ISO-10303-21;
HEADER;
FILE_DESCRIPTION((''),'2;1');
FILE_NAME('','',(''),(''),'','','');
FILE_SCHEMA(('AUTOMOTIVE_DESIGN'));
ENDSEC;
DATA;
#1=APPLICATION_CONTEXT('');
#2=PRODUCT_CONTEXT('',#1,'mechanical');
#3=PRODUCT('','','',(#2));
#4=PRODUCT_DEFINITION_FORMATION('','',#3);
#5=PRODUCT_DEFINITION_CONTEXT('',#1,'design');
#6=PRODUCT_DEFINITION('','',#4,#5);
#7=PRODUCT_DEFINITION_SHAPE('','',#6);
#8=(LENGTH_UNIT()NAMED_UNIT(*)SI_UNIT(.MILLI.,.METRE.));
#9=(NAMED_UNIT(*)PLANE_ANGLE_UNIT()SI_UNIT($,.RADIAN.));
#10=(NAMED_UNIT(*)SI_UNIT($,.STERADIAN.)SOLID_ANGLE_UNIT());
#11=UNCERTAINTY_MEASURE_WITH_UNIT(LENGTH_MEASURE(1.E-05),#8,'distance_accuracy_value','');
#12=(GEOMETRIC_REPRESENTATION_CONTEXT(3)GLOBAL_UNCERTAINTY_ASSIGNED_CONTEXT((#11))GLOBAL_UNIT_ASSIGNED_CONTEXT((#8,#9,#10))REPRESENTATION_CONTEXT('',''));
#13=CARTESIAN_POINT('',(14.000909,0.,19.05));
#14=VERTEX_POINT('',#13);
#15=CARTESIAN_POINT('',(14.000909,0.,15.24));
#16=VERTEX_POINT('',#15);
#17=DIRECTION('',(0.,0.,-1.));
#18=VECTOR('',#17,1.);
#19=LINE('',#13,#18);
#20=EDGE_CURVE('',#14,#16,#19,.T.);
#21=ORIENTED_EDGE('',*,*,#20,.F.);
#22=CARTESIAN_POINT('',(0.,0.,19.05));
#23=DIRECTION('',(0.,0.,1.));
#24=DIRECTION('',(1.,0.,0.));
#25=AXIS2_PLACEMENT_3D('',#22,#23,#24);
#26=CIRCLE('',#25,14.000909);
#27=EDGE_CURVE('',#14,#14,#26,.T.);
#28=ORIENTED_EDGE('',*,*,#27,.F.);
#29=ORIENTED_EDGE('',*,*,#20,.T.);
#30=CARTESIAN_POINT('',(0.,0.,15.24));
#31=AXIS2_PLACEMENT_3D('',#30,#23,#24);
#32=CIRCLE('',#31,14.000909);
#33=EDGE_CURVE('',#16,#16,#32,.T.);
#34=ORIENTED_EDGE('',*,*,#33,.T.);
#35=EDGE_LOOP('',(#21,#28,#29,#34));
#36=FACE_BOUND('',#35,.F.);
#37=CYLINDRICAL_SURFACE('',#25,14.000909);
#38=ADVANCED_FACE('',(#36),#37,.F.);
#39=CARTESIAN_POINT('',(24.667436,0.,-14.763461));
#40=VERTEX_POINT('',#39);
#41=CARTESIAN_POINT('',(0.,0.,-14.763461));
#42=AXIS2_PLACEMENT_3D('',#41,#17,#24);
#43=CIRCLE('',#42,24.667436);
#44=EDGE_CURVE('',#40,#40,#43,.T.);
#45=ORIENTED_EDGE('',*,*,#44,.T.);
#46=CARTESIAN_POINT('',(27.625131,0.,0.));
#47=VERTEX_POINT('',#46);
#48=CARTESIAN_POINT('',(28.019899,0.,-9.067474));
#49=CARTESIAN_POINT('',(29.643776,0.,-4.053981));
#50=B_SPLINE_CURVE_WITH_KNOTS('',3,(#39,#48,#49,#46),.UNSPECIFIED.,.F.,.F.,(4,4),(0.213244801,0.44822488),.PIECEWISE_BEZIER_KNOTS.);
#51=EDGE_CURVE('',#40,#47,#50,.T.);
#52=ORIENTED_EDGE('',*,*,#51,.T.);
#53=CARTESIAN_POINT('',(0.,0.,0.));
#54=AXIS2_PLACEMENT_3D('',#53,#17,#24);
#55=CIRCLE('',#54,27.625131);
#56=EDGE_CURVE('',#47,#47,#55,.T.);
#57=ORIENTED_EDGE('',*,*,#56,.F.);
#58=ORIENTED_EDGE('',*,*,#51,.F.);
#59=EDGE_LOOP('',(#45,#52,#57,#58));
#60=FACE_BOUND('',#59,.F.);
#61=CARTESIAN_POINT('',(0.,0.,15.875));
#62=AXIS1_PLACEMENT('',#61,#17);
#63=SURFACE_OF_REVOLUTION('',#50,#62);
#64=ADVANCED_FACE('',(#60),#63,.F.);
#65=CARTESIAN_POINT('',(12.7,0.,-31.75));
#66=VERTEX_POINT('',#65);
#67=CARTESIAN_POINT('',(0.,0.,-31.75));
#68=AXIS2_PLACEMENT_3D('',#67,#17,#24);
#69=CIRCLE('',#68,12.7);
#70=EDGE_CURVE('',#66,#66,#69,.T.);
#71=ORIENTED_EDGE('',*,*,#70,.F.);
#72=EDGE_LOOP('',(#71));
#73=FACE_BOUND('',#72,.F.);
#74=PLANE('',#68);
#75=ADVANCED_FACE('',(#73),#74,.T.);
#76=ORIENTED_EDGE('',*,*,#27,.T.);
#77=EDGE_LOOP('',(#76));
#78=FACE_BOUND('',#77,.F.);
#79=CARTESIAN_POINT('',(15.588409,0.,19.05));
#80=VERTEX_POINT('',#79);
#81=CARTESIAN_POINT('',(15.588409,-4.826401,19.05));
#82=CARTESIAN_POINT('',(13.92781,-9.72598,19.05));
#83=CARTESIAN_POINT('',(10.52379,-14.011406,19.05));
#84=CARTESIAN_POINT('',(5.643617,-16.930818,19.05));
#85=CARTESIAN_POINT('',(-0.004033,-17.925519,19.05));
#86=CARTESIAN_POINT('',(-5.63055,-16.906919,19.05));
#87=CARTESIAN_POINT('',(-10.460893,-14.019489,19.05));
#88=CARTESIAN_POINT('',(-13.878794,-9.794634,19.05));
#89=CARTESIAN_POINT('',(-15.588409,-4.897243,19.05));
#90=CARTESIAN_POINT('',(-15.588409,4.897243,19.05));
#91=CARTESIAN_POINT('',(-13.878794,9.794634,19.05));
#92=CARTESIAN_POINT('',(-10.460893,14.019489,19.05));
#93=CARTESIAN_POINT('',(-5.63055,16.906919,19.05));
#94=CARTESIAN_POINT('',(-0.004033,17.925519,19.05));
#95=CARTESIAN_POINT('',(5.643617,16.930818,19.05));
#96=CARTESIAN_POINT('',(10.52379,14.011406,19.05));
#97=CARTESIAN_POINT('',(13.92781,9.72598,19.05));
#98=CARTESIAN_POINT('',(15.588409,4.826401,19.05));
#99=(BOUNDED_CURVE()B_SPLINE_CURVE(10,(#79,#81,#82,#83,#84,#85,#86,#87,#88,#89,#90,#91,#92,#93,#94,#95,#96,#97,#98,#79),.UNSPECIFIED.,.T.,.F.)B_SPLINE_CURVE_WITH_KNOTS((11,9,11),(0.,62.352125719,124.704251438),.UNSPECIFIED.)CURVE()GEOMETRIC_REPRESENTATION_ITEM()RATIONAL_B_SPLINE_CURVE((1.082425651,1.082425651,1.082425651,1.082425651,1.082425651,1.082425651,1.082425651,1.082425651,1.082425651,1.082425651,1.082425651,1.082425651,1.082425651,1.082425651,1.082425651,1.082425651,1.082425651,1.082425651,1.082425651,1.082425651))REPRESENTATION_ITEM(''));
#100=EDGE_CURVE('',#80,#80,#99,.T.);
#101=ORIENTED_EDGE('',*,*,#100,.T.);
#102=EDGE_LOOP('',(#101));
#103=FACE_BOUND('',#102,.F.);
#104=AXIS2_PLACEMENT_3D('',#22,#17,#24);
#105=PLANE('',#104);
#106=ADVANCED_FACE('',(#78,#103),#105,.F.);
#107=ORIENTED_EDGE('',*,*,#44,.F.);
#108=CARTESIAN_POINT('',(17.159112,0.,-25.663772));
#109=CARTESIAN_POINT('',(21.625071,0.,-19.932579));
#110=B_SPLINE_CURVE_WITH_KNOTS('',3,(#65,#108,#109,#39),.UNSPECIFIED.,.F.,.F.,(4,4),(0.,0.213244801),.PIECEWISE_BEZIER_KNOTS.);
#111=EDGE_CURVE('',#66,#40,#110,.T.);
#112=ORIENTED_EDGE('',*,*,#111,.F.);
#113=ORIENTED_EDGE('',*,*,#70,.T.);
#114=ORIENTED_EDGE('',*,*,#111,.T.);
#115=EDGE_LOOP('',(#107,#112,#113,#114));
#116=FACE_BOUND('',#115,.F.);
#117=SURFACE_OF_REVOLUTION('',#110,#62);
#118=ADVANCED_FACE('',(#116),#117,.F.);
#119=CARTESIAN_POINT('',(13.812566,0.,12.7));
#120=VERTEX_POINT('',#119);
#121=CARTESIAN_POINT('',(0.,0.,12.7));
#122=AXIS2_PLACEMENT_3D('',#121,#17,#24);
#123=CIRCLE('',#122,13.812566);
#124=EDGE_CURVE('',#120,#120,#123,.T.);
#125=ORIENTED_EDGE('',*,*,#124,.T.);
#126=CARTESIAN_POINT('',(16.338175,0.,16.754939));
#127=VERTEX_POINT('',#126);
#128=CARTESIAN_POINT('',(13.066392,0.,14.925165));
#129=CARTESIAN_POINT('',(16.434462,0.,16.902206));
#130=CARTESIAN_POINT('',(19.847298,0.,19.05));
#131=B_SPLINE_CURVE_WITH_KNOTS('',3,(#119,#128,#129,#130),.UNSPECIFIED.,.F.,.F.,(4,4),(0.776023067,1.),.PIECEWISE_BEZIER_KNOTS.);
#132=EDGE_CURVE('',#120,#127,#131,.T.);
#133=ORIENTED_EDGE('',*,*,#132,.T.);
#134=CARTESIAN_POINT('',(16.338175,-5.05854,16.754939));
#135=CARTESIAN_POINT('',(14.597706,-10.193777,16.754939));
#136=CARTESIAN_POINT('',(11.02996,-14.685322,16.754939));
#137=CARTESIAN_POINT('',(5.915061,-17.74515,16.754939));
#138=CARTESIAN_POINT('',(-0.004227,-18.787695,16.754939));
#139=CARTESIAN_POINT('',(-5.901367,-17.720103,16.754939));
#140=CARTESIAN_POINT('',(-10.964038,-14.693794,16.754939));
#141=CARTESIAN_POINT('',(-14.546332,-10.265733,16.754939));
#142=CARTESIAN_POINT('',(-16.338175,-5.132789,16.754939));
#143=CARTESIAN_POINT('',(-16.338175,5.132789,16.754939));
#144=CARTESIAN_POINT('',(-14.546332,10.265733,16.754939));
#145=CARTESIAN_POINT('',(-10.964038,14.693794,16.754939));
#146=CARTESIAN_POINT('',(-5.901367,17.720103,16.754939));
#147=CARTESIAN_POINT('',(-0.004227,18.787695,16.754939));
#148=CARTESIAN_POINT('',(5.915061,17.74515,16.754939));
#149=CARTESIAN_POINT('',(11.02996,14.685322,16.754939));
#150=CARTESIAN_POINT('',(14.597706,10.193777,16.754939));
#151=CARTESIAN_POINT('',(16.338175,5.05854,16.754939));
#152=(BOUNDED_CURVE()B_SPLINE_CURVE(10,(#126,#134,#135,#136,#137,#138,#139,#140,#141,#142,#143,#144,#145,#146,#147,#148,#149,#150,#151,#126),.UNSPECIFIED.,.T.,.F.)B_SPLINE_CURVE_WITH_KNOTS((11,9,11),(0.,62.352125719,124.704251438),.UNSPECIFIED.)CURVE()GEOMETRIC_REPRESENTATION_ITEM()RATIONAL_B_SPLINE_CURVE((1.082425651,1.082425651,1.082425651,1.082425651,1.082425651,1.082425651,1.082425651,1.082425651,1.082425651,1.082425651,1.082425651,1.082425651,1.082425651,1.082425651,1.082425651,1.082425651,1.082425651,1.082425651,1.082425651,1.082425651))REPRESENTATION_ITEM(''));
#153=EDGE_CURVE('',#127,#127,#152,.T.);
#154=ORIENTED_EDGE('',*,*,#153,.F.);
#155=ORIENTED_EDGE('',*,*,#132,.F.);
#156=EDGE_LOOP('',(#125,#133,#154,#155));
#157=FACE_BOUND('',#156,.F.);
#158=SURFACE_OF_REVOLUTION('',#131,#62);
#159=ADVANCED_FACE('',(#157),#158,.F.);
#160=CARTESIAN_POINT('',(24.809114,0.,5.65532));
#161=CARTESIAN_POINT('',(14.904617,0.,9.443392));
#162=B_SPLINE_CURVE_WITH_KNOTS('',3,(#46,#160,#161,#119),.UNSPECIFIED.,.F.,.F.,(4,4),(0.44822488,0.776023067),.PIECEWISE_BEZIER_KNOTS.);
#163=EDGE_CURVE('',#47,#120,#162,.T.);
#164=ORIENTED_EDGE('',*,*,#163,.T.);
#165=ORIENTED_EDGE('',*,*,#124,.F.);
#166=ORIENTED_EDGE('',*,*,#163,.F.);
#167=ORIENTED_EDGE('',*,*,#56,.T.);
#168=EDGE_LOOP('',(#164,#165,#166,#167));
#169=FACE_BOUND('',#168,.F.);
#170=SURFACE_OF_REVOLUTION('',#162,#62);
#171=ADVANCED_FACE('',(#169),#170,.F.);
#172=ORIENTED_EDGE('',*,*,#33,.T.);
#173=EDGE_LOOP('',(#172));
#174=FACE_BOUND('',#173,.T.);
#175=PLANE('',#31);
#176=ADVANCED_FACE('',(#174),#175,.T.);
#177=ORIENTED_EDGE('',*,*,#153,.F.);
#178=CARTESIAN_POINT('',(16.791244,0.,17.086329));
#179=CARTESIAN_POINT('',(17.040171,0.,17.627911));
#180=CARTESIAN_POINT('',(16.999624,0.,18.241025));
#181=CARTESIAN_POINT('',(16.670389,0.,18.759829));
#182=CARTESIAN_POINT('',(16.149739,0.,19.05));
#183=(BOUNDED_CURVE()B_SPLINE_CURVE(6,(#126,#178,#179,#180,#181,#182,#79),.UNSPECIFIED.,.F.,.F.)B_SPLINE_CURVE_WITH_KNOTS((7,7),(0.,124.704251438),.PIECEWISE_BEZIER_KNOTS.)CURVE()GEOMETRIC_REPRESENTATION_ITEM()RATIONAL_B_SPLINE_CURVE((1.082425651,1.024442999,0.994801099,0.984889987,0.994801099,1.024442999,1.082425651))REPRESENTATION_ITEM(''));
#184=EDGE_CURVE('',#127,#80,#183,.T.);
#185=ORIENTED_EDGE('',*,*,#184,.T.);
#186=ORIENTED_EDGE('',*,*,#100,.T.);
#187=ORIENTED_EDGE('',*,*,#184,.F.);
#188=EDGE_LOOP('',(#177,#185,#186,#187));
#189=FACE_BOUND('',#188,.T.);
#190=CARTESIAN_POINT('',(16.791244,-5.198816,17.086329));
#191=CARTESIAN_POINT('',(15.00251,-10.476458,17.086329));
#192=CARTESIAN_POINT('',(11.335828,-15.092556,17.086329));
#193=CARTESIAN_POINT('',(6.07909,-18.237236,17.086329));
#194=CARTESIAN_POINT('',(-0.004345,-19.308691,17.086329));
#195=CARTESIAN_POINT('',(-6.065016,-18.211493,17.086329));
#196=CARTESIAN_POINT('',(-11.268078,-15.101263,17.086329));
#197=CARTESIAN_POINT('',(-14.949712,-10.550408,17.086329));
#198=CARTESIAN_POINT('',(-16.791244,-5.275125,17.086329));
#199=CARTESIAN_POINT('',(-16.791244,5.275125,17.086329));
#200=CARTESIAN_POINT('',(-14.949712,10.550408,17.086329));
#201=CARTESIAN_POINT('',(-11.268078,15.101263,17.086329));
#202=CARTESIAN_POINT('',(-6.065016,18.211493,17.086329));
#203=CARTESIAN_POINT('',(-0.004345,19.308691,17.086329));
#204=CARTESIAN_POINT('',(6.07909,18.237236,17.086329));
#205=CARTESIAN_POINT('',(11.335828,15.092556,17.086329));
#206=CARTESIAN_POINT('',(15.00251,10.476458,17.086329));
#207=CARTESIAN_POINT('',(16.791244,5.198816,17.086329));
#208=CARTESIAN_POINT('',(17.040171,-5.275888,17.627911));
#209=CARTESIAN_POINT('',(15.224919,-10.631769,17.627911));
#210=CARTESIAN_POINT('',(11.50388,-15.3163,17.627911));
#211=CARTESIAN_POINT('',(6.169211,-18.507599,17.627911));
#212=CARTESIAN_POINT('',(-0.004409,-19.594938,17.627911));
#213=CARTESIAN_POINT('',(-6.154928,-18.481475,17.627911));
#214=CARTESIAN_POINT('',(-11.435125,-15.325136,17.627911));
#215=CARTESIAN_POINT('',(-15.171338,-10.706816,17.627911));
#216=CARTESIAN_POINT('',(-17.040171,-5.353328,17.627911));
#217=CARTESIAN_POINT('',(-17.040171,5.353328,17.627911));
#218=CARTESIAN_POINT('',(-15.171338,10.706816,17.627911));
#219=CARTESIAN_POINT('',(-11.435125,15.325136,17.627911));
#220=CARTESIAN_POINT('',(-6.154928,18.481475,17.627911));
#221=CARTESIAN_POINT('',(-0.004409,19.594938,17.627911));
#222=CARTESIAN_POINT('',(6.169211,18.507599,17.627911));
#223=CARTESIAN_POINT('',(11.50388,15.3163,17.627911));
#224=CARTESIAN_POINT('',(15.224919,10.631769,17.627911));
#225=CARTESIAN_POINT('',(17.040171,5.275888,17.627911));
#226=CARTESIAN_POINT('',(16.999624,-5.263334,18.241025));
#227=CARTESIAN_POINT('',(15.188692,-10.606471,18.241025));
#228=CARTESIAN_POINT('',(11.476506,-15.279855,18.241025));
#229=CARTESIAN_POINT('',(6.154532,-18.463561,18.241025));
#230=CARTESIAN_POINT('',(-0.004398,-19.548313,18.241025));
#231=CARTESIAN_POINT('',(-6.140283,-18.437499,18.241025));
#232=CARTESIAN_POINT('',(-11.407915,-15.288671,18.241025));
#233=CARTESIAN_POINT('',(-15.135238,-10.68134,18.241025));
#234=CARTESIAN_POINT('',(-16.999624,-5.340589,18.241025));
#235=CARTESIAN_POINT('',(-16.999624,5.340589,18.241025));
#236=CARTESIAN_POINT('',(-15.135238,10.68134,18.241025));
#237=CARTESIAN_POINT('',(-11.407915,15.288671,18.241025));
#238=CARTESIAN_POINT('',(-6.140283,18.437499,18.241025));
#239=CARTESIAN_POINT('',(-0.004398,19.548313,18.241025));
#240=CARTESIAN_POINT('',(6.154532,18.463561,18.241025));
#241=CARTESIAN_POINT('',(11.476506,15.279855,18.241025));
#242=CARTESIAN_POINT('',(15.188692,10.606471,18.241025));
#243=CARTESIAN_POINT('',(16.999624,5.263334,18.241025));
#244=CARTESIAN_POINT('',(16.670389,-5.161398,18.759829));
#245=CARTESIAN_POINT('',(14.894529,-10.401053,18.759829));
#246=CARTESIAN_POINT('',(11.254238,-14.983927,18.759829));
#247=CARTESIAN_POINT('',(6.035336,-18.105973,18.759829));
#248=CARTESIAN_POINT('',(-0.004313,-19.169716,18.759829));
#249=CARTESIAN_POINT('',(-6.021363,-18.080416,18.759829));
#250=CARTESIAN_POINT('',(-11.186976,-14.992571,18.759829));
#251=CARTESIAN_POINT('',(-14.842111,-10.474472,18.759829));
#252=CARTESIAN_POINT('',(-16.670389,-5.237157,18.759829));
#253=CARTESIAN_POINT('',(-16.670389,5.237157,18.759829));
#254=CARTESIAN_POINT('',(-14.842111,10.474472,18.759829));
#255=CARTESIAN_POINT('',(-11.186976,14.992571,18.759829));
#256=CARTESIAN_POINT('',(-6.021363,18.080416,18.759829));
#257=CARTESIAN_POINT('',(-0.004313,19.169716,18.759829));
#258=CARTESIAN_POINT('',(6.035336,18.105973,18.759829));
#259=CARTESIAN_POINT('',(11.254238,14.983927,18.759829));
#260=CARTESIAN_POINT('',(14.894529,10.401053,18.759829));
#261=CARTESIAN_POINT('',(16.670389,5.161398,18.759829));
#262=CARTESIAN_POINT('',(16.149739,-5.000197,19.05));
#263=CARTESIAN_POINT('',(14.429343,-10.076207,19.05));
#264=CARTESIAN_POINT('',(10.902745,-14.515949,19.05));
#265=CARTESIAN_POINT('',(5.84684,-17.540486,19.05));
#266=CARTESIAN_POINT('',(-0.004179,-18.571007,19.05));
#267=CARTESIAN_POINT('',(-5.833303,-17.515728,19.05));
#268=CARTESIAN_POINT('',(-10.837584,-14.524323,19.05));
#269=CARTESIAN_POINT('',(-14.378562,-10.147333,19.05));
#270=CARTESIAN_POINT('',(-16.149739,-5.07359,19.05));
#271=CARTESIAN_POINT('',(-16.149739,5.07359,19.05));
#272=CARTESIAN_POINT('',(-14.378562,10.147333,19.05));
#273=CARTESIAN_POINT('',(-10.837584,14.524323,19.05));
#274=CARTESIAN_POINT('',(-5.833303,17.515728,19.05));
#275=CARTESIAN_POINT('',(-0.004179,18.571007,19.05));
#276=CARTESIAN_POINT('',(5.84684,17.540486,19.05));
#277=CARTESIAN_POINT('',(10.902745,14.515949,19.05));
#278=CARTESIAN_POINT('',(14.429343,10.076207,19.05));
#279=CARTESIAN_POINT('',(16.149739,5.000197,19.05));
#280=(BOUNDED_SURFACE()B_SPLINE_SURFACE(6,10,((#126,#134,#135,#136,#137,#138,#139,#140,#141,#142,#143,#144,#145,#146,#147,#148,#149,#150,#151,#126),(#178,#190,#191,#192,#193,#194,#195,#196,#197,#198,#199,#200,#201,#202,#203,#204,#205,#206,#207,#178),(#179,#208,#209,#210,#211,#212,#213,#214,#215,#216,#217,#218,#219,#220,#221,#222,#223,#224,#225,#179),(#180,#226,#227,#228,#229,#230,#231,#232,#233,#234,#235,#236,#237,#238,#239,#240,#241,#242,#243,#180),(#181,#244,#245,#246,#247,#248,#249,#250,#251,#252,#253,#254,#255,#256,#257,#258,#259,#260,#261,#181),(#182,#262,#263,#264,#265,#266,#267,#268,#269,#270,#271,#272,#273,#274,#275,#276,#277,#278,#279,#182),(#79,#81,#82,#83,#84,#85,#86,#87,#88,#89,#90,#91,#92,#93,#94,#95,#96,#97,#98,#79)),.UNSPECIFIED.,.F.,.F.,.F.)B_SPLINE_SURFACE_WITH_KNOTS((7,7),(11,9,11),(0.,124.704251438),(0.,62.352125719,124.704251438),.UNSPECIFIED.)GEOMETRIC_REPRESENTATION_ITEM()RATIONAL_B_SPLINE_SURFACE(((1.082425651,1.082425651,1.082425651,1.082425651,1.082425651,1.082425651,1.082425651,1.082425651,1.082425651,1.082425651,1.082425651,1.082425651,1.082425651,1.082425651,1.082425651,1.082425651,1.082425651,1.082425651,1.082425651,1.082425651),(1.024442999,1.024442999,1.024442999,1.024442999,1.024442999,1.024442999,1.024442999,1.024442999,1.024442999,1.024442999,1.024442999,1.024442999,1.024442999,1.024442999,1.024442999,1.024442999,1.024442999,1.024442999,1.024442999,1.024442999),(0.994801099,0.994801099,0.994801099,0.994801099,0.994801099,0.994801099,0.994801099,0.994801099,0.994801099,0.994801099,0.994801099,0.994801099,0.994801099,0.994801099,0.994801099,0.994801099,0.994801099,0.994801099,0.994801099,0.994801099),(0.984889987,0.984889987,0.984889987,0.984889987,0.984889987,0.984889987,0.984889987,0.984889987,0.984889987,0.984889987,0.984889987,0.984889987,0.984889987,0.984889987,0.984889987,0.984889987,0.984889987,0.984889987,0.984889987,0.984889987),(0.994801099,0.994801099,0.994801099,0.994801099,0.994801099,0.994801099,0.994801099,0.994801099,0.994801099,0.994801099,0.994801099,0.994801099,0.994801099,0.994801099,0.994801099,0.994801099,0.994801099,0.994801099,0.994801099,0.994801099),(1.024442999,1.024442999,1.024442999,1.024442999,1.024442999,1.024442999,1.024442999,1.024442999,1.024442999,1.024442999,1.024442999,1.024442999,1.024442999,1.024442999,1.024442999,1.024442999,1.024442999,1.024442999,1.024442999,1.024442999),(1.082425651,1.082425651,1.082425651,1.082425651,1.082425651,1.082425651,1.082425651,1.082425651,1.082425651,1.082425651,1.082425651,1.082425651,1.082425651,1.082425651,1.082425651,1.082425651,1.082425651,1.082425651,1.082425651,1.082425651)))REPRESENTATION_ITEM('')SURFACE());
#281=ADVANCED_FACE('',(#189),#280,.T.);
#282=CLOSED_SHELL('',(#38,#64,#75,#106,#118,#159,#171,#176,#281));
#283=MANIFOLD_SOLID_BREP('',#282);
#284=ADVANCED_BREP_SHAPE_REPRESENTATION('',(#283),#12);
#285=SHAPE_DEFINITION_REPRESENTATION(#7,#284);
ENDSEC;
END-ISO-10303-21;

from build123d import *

# Parameters (mm, degrees)
F2_R     = 1.27
F3_R     = 14.0009089704
F4_DEPTH = 3.81


with BuildPart() as f1:
    # F0 (on Front) → F1 (revolve)
    with BuildSketch(Plane.XZ):
        with BuildLine():
            Line((0, 19.05), (0, 12.7))
            Line((0, 12.7), (13.8125655637, 12.7))
            add(Edge.make_bspline(
                [(13.8125655637, 12.7), (13.0663921948, 14.9251647648), (16.4344619114, 16.9022058016), (19.847298041, 19.05)],
                knots=[0.7760230667, 0.7760230667, 0.7760230667, 0.7760230667, 1, 1, 1, 1], degree=3))
            Line((19.847298041, 19.05), (0, 19.05))
        make_face()
        with BuildLine():
            Line((0, 12.7), (0, 0))
            Line((0, 0), (27.6251311274, 0))
            add(Edge.make_bspline(
                [(27.6251311274, 0), (24.8091136566, 5.6553197035), (14.9046167578, 9.4433924344), (13.8125655637, 12.7)],
                knots=[0.4482248798, 0.4482248798, 0.4482248798, 0.4482248798, 0.7760230667, 0.7760230667, 0.7760230667, 0.7760230667], degree=3))
            Line((13.8125655637, 12.7), (0, 12.7))
        make_face()
        with BuildLine():
            Line((0, 0), (0, -14.7634614258))
            Line((0, -14.7634614258), (24.6674361824, -14.7634614258))
            add(Edge.make_bspline(
                [(24.6674361824, -14.7634614258), (28.0198990008, -9.0674738483), (29.6437756284, -4.0539805378), (27.6251311274, 0)],
                knots=[0.2132448009, 0.2132448009, 0.2132448009, 0.2132448009, 0.4482248798, 0.4482248798, 0.4482248798, 0.4482248798], degree=3))
            Line((27.6251311274, 0), (0, 0))
        make_face()
        with BuildLine():
            Line((0, -14.7634614258), (0, -31.75))
            Line((0, -31.75), (12.7, -31.75))
            add(Edge.make_bspline(
                [(12.7, -31.75), (17.1591123173, -25.6637716878), (21.6250707627, -19.9325793474), (24.6674361824, -14.7634614258)],
                knots=[0, 0, 0, 0, 0.2132448009, 0.2132448009, 0.2132448009, 0.2132448009], degree=3))
            Line((24.6674361824, -14.7634614258), (0, -14.7634614258))
        make_face()
    revolve(axis=Axis((0, 0, 15.875), (0, 0, -1)))

    # F2
    f2_edges = [f1.edges().sort_by_distance(p)[0] for p in [
        (-19.847298, 0, 19.05),
    ]]
    fillet(f2_edges, radius=F2_R)

    # F3 (on face) → F4 (cut)
    with BuildSketch(Plane.XY.offset(19.05)):
        Circle(F3_R)
    extrude(amount=-F4_DEPTH, mode=Mode.SUBTRACT)


solid = f1.part
